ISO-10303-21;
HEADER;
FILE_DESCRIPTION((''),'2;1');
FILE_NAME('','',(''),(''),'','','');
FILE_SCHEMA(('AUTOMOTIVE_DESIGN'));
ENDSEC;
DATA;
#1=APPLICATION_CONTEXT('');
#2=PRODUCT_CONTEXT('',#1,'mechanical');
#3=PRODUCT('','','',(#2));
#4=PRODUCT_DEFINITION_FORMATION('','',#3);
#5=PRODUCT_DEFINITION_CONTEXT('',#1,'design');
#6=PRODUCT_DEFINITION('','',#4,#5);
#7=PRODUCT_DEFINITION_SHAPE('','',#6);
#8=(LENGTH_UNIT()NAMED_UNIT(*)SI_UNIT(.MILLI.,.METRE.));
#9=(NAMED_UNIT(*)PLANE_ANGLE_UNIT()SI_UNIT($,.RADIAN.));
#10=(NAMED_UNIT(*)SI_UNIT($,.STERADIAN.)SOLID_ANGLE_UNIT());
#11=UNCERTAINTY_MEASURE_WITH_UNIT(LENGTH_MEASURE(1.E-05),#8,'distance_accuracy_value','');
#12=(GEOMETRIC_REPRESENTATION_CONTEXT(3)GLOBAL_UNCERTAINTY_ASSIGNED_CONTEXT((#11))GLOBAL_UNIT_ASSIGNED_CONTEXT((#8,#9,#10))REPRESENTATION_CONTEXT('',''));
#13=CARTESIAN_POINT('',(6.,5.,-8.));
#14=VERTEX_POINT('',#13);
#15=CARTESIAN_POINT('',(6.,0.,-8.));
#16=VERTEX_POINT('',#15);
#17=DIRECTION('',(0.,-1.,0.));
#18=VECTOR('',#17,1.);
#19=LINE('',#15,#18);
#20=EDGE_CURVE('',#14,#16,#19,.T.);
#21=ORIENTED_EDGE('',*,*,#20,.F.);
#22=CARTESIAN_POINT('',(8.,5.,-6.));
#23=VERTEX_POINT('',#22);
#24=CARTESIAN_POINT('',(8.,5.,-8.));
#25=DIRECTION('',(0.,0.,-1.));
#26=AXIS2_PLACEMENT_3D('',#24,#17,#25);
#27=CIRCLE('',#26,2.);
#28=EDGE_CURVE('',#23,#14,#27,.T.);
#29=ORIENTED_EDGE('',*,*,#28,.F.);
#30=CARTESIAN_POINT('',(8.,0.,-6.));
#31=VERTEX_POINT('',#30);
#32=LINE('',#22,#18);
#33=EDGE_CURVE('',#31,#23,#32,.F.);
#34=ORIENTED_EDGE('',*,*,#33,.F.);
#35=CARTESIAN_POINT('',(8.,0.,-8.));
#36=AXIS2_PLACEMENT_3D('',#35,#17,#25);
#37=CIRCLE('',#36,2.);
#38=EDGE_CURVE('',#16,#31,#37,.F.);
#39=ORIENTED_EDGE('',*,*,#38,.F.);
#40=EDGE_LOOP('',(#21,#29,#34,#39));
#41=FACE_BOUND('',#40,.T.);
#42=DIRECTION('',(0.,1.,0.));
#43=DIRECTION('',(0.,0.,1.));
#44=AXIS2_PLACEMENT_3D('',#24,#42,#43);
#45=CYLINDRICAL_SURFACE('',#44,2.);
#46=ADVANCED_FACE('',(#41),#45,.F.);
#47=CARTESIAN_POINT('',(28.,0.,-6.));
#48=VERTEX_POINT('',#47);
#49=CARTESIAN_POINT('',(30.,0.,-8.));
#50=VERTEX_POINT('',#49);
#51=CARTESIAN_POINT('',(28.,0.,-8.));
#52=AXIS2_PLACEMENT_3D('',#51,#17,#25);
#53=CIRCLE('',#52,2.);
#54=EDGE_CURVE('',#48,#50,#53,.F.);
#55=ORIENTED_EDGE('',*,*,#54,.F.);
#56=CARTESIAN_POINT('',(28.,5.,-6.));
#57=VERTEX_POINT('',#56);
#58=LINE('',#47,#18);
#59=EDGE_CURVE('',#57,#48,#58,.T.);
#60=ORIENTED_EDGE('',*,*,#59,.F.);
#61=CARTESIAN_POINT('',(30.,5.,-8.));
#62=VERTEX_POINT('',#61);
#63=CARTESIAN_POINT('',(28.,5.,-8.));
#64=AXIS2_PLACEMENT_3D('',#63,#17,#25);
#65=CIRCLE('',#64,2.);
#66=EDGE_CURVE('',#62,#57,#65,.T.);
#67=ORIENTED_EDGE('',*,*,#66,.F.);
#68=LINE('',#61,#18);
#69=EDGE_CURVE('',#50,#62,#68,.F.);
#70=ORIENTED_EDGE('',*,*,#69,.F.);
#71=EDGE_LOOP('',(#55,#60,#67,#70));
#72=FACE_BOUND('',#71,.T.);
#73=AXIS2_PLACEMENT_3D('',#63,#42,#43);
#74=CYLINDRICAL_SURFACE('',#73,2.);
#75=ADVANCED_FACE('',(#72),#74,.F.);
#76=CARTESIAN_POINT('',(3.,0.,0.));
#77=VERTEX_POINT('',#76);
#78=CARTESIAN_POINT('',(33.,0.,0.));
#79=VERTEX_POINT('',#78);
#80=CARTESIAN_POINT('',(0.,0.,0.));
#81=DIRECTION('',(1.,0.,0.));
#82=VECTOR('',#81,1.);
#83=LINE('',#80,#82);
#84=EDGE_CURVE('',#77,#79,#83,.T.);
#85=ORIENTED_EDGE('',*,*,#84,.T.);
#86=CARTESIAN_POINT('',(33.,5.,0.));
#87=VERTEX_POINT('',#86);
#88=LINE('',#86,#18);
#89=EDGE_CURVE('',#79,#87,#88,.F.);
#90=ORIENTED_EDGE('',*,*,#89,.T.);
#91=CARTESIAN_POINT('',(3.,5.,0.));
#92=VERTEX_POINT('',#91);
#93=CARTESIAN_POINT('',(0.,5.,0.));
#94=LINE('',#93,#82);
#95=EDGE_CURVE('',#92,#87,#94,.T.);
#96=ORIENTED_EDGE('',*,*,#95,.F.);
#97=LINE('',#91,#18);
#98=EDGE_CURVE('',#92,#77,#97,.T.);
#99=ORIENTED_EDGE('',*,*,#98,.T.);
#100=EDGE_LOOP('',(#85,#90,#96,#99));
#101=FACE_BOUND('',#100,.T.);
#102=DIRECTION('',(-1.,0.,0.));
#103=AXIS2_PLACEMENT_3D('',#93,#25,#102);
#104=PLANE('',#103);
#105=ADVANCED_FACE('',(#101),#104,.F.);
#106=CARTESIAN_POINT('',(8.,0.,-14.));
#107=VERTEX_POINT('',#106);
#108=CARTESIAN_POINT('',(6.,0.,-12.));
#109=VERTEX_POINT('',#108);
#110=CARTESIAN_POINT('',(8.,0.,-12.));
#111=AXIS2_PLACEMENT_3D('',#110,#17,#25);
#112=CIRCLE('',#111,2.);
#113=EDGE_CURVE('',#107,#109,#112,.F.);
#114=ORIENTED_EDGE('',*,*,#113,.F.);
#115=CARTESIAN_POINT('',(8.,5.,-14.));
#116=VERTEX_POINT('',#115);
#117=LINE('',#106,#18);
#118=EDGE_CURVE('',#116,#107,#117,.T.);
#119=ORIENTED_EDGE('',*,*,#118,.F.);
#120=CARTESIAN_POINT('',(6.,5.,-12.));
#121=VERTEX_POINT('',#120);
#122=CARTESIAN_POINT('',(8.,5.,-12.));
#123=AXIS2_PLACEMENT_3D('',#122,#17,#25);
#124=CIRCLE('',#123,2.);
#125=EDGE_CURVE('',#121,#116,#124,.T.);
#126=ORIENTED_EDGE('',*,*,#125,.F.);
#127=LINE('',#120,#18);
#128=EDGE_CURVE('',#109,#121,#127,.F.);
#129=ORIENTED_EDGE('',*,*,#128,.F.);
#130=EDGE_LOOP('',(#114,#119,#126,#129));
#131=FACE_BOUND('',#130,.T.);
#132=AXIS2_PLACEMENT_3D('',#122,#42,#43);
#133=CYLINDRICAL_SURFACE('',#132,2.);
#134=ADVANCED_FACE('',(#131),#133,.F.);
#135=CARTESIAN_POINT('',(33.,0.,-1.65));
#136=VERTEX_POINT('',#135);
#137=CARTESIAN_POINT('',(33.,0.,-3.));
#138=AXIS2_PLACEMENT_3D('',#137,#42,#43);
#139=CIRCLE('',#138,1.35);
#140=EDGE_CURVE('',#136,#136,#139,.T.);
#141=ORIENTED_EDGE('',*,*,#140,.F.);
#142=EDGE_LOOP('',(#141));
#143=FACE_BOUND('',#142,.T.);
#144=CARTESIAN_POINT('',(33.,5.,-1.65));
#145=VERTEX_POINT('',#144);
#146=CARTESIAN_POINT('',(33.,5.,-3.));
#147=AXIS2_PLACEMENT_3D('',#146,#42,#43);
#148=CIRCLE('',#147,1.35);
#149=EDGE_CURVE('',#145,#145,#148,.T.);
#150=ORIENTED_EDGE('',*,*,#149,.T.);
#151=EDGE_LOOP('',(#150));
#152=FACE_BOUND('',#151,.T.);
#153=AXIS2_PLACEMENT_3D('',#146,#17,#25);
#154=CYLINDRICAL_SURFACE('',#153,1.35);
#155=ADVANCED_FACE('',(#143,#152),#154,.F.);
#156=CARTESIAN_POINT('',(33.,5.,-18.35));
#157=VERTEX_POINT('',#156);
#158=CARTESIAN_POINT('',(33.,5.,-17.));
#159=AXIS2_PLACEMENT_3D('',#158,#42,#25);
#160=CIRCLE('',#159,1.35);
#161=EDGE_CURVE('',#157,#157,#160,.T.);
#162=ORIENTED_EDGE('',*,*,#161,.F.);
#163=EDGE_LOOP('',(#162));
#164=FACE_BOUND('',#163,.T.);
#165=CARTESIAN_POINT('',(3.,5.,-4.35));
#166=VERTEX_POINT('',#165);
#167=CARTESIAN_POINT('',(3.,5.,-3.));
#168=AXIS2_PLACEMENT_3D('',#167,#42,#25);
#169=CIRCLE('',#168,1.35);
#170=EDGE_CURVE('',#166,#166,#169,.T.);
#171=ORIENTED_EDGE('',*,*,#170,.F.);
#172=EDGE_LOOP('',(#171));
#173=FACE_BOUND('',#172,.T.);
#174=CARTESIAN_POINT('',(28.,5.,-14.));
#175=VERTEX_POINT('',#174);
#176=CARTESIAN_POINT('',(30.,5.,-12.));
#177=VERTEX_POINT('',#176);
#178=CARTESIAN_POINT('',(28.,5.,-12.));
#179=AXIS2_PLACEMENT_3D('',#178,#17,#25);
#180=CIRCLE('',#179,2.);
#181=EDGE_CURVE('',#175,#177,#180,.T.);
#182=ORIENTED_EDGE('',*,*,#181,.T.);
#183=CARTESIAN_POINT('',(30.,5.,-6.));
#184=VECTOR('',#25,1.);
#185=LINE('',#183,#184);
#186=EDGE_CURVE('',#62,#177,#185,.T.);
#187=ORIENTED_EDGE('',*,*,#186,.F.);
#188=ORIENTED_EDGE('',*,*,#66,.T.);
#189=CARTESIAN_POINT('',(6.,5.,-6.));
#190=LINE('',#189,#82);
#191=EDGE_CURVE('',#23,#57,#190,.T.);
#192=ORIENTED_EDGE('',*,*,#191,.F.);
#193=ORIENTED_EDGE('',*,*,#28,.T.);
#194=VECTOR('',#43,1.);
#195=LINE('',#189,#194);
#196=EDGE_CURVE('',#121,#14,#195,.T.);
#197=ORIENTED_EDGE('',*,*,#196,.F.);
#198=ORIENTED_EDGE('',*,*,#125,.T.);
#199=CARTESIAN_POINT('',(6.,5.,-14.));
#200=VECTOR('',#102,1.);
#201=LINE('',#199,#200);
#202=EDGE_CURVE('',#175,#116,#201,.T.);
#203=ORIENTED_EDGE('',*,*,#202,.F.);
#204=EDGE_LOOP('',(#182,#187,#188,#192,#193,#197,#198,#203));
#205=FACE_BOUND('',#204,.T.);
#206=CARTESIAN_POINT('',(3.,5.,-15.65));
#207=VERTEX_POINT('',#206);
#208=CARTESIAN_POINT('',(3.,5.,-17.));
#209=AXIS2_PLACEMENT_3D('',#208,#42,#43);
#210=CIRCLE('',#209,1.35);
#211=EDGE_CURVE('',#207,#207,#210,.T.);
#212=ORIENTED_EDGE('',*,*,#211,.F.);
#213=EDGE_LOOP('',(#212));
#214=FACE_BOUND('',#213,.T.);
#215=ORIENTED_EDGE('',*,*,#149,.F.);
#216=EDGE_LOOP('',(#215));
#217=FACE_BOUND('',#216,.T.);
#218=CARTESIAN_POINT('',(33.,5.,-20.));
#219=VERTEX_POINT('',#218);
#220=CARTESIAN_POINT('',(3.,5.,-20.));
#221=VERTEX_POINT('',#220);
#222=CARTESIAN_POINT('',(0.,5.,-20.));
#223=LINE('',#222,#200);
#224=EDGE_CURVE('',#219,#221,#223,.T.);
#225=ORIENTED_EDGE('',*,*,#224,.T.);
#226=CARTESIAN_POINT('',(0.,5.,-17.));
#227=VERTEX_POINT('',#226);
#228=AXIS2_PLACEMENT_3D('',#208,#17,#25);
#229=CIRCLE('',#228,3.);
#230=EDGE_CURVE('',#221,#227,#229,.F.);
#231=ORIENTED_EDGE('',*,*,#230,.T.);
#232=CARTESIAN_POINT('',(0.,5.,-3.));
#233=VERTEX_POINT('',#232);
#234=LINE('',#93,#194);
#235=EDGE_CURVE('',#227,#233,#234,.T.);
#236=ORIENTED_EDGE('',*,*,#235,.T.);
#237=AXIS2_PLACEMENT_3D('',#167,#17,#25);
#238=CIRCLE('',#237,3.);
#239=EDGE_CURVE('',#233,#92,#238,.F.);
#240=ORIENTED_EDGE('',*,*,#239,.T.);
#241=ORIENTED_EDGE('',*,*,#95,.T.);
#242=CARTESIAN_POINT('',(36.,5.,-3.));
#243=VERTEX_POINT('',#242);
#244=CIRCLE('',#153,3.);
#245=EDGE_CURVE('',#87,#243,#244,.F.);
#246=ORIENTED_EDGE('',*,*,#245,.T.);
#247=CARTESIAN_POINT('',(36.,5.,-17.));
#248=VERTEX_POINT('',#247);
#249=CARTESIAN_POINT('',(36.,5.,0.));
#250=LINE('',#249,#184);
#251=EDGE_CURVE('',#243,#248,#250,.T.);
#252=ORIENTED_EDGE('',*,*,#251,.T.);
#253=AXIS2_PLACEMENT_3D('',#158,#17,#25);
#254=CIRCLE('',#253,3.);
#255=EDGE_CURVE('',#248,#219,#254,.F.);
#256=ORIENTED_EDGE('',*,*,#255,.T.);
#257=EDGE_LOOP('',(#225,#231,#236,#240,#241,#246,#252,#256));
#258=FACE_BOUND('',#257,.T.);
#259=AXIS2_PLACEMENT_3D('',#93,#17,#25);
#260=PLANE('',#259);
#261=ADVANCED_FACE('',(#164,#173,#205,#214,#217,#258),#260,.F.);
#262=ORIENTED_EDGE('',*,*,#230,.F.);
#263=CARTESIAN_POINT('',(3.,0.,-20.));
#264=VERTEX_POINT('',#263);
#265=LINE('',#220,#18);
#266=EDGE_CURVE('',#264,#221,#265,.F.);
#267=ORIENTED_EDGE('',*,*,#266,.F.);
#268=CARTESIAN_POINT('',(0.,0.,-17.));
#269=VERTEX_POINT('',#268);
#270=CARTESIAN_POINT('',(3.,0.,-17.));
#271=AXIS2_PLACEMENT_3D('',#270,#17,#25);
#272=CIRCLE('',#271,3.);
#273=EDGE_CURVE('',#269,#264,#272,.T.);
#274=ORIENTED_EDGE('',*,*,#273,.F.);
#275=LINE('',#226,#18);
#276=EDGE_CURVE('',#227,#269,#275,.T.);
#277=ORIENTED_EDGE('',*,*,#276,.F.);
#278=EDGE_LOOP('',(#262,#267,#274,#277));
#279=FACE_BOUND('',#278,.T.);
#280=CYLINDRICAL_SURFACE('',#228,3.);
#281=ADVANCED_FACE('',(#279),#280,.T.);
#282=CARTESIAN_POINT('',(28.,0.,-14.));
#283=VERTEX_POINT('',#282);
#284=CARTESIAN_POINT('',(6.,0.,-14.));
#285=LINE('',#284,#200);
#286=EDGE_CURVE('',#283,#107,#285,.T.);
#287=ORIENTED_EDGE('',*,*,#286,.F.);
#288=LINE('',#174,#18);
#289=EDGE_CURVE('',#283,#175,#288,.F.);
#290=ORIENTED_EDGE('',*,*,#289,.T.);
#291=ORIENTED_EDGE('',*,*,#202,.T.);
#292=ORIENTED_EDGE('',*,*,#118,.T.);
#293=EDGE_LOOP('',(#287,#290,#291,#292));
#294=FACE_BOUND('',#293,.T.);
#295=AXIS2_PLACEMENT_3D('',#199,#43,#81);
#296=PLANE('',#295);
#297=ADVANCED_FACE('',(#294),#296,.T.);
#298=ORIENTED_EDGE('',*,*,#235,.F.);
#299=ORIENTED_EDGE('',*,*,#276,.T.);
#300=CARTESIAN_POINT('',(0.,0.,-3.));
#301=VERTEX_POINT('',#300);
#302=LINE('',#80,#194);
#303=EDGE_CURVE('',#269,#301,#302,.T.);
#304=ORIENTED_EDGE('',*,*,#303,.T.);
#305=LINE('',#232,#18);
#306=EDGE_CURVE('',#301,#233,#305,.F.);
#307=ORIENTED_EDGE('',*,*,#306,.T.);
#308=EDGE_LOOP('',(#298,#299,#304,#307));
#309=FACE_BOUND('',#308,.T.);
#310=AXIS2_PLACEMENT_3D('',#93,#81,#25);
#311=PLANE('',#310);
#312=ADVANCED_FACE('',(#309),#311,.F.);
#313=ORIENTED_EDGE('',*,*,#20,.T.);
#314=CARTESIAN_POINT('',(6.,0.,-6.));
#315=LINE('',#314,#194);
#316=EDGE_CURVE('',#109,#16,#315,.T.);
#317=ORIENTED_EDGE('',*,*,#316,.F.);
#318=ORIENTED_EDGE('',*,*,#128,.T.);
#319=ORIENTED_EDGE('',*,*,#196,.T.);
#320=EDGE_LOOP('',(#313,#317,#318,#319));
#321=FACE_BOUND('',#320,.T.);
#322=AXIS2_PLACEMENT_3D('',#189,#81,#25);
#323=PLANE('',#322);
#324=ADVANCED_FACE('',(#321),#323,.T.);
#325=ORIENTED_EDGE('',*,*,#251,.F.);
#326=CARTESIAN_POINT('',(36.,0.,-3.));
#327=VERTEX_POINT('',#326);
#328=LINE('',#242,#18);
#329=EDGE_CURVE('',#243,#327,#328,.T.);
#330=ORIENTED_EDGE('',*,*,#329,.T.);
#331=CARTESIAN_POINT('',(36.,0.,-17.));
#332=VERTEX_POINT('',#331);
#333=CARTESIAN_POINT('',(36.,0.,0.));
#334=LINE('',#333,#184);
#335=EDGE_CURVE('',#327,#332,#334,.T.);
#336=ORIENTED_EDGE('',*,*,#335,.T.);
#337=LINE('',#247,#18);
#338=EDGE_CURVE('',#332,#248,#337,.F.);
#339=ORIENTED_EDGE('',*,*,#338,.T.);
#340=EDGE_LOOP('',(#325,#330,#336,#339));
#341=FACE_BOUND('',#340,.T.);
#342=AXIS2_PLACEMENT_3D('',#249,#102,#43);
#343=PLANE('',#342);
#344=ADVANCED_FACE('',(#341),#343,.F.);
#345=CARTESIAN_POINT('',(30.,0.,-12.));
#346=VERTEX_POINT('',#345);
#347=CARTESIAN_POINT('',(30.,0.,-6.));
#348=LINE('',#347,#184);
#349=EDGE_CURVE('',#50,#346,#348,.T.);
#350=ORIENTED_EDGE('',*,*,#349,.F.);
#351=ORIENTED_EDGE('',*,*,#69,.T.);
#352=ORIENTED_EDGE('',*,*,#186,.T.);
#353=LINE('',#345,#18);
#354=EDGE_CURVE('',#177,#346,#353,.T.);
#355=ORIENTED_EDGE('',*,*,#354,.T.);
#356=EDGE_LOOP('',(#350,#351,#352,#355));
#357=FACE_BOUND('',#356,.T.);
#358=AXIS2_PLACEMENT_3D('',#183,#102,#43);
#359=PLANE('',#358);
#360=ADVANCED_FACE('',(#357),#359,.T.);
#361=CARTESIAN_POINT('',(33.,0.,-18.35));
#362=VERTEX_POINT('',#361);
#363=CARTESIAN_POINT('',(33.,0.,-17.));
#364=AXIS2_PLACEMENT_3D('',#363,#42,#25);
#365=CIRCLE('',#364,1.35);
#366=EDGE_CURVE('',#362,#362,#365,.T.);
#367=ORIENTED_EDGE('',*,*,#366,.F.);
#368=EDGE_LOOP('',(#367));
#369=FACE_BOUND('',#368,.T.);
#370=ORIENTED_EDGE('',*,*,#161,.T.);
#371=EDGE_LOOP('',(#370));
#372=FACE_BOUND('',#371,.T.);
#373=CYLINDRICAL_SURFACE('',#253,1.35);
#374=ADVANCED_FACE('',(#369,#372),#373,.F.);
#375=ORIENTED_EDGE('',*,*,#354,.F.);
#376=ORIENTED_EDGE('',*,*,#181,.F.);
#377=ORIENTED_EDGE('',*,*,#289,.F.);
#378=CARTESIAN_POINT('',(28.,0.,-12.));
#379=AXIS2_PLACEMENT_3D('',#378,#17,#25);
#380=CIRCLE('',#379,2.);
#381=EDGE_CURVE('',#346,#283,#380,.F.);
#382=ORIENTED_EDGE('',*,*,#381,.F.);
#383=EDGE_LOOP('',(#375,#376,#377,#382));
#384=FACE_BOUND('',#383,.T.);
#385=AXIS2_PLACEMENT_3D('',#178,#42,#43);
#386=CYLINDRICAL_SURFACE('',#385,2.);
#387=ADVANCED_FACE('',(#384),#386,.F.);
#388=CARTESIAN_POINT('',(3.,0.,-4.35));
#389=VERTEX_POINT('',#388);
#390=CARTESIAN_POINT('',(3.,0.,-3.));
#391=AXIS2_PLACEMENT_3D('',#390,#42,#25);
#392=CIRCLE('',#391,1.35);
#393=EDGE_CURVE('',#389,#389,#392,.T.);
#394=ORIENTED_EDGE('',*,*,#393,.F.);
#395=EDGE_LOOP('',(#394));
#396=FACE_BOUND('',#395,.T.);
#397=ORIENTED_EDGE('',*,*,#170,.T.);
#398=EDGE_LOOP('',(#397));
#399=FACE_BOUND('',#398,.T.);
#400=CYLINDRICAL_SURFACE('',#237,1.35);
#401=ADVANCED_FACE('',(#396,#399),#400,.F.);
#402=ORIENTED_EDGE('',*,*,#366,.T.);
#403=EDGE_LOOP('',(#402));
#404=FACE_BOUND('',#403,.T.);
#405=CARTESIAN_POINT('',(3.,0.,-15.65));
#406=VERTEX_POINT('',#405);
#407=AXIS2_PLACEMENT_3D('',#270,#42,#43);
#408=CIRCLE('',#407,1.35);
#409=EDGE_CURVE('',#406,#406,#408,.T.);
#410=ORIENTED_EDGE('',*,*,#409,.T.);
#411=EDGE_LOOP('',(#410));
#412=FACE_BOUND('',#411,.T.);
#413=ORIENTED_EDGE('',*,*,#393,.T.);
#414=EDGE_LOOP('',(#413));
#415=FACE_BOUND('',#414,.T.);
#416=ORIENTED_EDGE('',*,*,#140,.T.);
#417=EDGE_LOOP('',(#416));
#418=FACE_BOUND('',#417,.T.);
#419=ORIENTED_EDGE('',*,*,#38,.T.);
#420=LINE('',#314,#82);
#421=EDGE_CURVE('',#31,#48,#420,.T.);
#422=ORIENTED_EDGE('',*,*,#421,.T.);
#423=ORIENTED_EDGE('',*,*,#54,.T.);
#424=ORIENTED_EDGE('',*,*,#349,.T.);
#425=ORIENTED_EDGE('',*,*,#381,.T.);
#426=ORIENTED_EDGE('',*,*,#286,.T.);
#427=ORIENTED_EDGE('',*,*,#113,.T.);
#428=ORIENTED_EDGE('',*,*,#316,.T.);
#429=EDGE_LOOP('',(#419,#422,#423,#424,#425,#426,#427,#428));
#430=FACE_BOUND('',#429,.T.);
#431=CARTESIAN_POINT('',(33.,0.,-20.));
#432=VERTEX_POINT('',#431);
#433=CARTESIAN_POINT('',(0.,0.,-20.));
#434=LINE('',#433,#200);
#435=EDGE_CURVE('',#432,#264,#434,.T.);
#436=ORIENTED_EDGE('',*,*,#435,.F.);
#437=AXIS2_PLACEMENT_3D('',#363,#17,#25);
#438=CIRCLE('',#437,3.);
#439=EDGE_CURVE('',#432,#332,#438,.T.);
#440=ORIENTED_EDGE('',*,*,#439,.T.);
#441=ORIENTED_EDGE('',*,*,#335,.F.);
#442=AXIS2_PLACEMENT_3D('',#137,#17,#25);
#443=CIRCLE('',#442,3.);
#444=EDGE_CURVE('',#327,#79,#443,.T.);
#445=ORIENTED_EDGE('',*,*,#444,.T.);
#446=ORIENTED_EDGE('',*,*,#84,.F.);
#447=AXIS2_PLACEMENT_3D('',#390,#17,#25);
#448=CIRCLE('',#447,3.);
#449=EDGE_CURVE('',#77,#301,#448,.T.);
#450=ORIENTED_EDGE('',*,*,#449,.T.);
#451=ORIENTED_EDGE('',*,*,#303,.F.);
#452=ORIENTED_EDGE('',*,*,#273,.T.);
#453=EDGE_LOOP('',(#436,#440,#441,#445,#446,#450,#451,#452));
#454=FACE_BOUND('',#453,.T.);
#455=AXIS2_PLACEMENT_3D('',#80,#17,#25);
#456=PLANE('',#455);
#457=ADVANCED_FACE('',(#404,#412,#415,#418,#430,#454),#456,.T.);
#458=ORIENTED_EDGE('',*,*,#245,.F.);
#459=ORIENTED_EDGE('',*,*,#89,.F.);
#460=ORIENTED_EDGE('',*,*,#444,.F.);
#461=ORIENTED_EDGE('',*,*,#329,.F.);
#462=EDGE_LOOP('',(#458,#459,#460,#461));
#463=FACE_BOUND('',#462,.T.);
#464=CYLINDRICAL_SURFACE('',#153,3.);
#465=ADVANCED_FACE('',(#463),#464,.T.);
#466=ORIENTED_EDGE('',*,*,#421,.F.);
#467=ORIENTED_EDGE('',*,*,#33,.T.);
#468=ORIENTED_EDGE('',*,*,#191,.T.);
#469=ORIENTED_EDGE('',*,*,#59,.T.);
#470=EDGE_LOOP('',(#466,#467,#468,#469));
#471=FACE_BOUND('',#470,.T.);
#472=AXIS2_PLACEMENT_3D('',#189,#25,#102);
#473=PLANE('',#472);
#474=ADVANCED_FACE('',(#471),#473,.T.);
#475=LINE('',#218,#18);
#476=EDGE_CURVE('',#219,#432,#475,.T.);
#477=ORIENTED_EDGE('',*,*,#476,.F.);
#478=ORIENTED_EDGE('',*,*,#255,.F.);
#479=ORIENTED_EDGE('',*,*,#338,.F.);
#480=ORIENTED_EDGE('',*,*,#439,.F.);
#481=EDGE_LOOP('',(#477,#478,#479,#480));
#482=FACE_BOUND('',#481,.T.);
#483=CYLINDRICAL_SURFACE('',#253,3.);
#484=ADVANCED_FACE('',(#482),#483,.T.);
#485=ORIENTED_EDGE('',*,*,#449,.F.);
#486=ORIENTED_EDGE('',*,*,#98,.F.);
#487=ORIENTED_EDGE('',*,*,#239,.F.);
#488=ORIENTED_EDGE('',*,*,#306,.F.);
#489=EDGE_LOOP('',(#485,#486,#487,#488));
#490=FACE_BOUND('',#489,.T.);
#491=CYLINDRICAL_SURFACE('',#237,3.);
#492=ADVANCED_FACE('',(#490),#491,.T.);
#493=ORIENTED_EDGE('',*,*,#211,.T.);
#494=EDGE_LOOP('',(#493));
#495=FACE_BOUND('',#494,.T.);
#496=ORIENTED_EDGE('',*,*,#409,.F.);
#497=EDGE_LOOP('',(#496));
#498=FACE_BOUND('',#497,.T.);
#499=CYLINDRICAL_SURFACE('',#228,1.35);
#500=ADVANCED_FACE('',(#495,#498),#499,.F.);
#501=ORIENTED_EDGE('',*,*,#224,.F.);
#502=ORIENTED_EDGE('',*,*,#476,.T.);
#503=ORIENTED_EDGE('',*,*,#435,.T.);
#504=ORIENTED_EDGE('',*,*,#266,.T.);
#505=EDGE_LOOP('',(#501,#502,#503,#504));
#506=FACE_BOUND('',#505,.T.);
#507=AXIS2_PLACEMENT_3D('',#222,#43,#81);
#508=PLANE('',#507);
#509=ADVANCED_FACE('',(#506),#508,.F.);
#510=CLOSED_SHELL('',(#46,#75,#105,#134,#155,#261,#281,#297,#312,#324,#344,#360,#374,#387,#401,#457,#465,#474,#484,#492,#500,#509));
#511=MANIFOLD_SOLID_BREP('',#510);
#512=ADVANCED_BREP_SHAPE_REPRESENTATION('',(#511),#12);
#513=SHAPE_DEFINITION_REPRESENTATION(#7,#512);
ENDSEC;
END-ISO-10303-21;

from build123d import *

# Parameters (mm, degrees)
SKETCH_1_W      = 36
SKETCH_1_H      = 20
SKETCH_1_R      = 1.35
SKETCH_1_W_2    = 24
SKETCH_1_H_2    = 8
EXTRUDE_1_DEPTH = 5
FILLET_1_R      = 3
FILLET_2_R      = 2


with BuildPart() as part:
    # 草图1 → 凸台-拉伸1 (new body)
    with BuildSketch(Plane(origin=(0, 0, 0), x_dir=(1, 0, 0), z_dir=(0, 1, 0))):
        with Locations((18, 10)):
            Rectangle(SKETCH_1_W, SKETCH_1_H)
        with Locations(Location((3, 17, 0), (0, 0, 270))):
            Circle(SKETCH_1_R, mode=Mode.SUBTRACT)
        with Locations(Location((33, 17, 0), (0, 0, 90))):
            Circle(SKETCH_1_R, mode=Mode.SUBTRACT)
        with Locations(Location((33, 3, 0), (0, 0, 270))):
            Circle(SKETCH_1_R, mode=Mode.SUBTRACT)
        with Locations(Location((3, 3, 0), (0, 0, 90))):
            Circle(SKETCH_1_R, mode=Mode.SUBTRACT)
        with Locations((18, 10)):
            Rectangle(SKETCH_1_W_2, SKETCH_1_H_2, mode=Mode.SUBTRACT)
    extrude(amount=EXTRUDE_1_DEPTH)

    # 圆角1
    fillet_1_edges = [part.edges().sort_by_distance(p)[0] for p in [
        (0, 2.5, -20),
        (36, 2.5, -20),
        (36, 2.5, 0),
        (0, 2.5, 0),
    ]]
    fillet(fillet_1_edges, radius=FILLET_1_R)

    # 圆角2
    fillet_2_edges = [part.edges().sort_by_distance(p)[0] for p in [
        (6, 2.5, -6),
        (30, 2.5, -6),
        (30, 2.5, -14),
        (6, 2.5, -14),
    ]]
    fillet(fillet_2_edges, radius=FILLET_2_R)


solid = part.part
